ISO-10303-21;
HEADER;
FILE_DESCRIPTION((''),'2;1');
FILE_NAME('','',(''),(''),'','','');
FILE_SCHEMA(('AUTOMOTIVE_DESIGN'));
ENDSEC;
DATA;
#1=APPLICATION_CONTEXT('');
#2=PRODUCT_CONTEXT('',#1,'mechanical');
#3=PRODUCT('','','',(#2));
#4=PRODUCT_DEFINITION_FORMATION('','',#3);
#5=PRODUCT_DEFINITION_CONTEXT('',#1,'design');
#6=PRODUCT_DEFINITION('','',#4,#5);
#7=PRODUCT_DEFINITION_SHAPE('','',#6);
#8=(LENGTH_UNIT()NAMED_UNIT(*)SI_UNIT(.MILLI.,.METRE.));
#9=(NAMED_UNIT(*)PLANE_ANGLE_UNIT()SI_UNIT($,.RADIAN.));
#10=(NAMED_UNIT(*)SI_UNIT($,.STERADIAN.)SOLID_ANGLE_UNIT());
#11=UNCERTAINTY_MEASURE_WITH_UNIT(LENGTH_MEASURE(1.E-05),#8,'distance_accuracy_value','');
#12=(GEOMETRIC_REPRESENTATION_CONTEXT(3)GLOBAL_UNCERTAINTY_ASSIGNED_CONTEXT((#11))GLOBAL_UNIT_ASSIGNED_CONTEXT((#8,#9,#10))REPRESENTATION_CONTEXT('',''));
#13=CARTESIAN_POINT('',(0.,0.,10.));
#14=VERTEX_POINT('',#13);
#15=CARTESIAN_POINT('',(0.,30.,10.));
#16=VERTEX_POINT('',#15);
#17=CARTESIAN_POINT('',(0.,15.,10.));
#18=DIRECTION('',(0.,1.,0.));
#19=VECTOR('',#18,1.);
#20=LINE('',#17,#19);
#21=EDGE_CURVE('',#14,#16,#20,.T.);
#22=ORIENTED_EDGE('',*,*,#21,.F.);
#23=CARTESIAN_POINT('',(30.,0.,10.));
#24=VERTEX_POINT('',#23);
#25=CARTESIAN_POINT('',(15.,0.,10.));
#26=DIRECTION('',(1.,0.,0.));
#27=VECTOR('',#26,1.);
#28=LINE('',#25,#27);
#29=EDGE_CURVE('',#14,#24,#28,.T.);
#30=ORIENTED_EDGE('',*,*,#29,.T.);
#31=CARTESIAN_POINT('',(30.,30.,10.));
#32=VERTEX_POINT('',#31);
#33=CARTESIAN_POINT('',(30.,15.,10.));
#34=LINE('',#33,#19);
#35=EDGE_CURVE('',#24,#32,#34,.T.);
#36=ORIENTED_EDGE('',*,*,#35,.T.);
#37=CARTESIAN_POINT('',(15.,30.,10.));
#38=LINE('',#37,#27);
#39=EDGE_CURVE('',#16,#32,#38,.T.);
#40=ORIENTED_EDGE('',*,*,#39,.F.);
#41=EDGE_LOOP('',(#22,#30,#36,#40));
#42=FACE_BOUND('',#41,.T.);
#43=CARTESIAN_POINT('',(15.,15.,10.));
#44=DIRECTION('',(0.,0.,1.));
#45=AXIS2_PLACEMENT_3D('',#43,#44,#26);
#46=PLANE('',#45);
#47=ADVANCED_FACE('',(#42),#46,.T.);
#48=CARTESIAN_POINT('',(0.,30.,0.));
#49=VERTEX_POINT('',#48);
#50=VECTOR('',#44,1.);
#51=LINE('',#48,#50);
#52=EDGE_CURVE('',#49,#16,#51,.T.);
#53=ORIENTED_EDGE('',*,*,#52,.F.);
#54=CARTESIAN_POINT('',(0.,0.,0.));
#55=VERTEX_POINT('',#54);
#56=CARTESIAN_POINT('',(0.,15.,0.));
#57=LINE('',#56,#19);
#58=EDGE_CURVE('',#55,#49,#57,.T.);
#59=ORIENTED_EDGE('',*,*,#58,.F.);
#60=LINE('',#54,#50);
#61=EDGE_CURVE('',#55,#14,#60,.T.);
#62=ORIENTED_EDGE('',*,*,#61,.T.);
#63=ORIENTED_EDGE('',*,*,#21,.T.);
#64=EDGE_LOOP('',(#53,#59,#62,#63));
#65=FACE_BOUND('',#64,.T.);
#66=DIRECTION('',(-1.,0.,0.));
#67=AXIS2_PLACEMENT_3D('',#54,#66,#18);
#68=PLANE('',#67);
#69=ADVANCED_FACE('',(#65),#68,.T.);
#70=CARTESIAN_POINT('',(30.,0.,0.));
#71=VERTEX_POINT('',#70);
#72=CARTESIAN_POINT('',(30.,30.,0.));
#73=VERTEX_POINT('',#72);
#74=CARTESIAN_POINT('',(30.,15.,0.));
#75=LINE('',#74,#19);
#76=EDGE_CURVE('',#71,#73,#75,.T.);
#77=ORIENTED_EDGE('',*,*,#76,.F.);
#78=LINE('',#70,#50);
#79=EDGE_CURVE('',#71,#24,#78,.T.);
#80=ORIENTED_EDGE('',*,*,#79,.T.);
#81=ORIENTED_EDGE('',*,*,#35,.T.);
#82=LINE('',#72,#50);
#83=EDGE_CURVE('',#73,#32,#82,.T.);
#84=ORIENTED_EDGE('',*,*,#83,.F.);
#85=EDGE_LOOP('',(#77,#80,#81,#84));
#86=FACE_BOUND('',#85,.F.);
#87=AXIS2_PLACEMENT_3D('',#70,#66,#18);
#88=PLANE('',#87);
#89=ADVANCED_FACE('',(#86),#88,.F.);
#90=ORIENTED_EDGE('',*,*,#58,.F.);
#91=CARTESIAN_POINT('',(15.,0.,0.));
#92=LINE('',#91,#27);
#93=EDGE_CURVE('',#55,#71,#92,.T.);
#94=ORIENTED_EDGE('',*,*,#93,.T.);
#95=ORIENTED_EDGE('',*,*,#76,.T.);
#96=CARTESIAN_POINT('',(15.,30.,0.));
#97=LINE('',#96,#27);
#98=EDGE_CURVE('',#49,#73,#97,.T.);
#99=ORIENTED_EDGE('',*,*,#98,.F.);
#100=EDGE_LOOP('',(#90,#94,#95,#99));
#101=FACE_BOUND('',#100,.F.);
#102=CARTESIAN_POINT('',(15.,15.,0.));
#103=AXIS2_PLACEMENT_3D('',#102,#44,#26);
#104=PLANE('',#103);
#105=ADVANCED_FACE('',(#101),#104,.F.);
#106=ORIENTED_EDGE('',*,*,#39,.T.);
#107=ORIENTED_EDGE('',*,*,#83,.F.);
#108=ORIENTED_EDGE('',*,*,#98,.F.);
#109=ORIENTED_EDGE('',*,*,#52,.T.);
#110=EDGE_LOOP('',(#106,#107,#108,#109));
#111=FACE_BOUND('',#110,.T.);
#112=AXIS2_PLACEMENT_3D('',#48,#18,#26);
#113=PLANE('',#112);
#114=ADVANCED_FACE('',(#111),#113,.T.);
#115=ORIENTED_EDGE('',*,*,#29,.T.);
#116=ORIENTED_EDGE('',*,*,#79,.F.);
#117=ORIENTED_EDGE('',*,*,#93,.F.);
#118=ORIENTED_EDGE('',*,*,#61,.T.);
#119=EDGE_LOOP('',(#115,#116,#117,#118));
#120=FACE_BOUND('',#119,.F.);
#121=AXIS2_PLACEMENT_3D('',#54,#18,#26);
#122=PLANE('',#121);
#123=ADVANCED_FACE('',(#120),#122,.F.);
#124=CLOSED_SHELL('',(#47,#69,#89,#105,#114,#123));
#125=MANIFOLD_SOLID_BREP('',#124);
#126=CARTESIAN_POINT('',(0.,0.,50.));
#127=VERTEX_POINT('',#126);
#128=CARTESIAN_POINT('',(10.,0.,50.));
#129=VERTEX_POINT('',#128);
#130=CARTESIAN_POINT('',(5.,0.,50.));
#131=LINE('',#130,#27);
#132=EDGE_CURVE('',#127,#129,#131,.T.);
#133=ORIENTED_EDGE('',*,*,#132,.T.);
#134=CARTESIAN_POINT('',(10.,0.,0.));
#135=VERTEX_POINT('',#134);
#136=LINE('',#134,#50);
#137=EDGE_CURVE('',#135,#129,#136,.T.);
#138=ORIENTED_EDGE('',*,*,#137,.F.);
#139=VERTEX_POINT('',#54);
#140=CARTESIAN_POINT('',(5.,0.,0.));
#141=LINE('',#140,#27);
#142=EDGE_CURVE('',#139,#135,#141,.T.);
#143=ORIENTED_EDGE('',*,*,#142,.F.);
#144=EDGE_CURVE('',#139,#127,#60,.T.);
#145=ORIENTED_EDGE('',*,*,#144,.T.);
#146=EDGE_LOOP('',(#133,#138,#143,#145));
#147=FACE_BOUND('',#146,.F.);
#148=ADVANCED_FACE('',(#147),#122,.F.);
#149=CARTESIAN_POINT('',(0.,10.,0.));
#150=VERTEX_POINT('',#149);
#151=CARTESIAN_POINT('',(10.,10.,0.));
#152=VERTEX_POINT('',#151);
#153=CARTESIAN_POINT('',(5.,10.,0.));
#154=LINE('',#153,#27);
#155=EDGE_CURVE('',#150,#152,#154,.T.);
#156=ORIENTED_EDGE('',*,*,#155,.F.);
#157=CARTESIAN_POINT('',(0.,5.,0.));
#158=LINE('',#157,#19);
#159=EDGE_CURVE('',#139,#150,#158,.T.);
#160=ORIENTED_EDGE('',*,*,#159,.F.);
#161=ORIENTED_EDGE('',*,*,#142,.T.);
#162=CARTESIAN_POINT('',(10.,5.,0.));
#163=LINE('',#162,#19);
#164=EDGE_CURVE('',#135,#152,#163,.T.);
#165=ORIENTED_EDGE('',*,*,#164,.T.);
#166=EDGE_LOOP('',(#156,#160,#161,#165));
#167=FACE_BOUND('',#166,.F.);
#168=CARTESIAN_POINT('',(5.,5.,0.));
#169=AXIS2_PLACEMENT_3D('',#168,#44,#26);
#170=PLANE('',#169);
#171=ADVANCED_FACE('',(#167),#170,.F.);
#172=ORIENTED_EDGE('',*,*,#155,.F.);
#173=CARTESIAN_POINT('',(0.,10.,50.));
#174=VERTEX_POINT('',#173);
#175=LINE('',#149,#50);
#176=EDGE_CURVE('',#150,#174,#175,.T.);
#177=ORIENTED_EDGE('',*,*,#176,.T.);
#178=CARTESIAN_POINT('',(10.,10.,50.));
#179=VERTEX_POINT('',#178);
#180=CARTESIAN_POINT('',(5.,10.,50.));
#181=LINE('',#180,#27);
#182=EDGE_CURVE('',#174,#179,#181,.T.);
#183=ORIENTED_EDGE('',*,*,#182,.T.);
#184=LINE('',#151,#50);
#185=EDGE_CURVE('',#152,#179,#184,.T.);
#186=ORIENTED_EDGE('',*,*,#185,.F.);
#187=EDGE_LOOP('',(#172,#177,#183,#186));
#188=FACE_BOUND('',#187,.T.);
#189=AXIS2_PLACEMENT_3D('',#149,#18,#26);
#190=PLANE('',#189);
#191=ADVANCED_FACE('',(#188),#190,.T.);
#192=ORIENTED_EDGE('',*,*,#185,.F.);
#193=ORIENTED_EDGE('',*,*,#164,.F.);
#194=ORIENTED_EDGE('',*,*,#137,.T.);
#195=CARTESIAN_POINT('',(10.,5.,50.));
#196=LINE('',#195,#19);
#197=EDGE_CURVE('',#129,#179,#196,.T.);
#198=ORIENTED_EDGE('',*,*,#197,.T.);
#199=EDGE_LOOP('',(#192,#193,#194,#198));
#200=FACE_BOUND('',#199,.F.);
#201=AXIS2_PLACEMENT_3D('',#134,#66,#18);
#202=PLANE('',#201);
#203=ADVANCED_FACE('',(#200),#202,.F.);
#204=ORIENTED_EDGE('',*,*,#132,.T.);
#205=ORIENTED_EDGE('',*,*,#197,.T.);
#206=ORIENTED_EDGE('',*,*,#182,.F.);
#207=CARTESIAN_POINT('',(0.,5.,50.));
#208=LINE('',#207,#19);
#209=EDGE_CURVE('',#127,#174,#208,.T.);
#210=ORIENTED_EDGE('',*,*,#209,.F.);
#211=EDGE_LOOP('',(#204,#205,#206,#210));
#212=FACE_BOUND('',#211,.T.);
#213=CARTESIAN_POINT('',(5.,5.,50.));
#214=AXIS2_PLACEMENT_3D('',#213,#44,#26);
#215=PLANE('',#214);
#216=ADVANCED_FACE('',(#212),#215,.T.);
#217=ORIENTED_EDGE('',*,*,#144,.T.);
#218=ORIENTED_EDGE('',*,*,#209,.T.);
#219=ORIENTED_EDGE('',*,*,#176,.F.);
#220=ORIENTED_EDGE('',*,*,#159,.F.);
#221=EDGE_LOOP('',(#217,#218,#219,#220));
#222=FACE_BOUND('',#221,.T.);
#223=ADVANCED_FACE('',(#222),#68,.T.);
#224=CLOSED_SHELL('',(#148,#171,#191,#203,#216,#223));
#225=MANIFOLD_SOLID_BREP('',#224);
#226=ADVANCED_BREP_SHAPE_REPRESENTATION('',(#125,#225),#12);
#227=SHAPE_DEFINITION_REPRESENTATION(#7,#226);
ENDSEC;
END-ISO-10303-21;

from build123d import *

# Parameters (mm, degrees)
BOX_W        = 10
BOX_H        = 10
BOX_DEPTH    = 50
BOX001_W     = 30
BOX001_H     = 30
BOX001_DEPTH = 10


with BuildPart() as poal:
    # Box → Box (new body)
    with BuildSketch(Plane.XY):
        with Locations((5, 5)):
            Rectangle(BOX_W, BOX_H)
    extrude(amount=BOX_DEPTH)


with BuildPart() as cube:
    # Box001 → Box001 (new body)
    with BuildSketch(Plane.XY):
        with Locations((15, 15)):
            Rectangle(BOX001_W, BOX001_H)
    extrude(amount=BOX001_DEPTH)


solid = Compound([poal.part, cube.part])
